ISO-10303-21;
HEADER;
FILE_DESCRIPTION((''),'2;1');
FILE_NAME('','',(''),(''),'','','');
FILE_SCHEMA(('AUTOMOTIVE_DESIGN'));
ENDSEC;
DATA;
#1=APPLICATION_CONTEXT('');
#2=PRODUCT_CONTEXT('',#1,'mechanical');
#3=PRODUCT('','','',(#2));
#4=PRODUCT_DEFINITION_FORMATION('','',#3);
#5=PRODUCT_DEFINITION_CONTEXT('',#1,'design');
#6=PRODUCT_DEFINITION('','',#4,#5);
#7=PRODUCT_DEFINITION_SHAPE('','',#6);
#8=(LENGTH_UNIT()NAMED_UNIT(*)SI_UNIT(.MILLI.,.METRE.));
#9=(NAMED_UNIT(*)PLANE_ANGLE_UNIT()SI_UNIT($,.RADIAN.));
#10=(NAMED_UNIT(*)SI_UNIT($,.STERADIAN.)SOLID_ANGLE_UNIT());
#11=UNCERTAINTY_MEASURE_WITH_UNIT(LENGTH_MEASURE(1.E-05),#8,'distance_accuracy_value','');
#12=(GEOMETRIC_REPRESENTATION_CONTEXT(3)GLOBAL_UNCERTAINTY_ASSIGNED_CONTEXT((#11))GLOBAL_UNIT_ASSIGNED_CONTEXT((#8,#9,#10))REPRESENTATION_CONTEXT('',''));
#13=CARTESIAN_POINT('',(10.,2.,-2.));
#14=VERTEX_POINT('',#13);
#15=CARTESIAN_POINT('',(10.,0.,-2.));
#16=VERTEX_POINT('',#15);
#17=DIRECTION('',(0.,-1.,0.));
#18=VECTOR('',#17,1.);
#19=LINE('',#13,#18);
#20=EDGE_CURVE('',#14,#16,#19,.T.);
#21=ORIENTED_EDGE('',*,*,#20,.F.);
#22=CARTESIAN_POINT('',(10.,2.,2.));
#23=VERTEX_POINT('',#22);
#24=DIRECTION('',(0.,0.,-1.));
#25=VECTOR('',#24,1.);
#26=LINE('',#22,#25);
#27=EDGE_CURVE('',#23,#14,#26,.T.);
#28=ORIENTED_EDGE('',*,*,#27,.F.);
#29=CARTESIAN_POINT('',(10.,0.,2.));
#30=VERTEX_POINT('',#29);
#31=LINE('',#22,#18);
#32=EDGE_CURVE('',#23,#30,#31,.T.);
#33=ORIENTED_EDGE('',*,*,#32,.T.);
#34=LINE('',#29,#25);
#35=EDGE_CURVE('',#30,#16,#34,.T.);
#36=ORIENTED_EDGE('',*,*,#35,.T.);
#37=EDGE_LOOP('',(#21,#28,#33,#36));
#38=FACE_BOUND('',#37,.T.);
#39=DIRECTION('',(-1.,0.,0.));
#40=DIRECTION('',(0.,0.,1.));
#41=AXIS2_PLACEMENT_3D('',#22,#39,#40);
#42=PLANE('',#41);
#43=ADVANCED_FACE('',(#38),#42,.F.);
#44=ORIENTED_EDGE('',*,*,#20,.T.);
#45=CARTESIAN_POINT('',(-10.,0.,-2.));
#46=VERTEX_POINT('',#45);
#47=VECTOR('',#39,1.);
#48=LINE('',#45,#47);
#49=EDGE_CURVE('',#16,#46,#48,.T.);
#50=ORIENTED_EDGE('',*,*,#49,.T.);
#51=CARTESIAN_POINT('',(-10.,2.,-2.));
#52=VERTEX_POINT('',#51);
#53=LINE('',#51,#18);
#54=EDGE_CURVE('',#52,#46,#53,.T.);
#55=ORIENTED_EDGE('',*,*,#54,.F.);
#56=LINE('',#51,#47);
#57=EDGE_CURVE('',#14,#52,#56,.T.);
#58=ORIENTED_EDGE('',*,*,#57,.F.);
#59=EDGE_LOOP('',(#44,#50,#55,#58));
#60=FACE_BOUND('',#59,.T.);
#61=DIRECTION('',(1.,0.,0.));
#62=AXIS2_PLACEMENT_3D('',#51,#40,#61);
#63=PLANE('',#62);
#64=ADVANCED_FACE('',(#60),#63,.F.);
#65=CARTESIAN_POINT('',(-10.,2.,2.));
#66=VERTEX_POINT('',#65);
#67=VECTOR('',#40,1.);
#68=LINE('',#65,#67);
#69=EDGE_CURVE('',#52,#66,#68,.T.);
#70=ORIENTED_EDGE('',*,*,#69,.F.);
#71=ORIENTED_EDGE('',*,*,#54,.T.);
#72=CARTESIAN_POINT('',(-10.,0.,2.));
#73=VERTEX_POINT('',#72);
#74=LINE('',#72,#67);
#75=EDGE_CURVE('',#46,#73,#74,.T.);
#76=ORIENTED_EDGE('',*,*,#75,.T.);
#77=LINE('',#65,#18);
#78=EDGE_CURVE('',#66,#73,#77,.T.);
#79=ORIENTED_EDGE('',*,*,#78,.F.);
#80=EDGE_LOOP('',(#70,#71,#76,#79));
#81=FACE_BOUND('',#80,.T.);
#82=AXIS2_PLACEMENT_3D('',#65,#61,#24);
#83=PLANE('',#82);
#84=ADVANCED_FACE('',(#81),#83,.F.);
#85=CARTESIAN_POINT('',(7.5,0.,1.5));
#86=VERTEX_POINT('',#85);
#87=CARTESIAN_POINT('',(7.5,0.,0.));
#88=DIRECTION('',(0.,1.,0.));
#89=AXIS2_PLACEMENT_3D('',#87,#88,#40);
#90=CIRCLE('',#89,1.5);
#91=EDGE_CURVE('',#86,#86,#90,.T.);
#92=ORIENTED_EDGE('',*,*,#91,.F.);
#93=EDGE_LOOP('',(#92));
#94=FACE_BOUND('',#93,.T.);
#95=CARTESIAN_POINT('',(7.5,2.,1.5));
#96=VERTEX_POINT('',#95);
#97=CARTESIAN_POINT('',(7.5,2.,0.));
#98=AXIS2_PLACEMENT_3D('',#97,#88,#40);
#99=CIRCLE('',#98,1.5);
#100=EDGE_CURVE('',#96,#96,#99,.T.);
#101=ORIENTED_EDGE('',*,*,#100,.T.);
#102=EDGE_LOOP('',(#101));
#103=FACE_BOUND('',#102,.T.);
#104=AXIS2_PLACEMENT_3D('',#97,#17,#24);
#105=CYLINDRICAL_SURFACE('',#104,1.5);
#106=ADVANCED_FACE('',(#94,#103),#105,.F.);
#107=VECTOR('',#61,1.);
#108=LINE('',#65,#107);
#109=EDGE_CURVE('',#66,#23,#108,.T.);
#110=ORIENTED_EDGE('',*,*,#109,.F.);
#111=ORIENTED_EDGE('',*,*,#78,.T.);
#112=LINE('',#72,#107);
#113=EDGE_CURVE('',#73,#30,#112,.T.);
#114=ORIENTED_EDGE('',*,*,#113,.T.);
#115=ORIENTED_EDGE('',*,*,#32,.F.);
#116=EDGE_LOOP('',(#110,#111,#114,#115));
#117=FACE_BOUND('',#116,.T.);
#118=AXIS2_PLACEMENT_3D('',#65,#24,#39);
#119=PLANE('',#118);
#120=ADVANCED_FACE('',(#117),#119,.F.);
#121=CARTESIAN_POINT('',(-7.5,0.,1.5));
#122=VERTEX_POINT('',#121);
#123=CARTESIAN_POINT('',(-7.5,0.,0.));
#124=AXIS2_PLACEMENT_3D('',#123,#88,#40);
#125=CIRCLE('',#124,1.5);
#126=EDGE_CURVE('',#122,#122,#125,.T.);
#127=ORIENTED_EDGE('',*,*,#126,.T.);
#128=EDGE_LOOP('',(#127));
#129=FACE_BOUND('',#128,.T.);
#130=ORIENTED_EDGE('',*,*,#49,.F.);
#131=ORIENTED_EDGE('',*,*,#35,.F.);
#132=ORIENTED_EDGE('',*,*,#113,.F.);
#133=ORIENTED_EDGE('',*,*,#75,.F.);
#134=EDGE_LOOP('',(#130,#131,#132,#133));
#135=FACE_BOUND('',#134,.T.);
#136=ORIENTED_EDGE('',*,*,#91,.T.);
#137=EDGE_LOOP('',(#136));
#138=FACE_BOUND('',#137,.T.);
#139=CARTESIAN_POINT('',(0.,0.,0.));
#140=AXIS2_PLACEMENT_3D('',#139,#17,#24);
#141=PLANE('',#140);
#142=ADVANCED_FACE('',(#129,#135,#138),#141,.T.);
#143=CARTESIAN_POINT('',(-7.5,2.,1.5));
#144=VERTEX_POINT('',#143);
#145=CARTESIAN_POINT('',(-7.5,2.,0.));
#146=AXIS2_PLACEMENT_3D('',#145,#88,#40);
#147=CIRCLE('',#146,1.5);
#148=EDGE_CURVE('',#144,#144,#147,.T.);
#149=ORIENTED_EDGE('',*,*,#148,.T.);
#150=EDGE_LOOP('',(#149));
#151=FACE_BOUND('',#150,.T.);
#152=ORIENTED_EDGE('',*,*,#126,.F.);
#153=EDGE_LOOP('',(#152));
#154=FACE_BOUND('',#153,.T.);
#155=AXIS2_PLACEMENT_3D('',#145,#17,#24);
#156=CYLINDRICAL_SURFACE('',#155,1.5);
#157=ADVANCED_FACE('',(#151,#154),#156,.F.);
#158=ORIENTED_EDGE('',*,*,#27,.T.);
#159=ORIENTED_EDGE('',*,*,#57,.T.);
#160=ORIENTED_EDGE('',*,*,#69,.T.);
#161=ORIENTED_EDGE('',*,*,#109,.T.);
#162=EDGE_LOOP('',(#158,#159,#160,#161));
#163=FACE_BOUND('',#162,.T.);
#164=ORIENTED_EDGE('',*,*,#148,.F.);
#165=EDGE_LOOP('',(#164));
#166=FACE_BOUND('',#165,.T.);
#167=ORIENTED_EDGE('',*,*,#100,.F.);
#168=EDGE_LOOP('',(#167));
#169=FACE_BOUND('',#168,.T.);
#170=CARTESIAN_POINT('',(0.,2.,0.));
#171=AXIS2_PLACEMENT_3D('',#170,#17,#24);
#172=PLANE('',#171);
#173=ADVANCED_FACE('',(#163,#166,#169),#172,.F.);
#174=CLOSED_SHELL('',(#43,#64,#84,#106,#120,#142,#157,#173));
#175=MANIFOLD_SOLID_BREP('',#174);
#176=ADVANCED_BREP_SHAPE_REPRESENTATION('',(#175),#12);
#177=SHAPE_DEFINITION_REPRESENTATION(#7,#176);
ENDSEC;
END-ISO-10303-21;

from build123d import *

# Parameters (mm, degrees)
SKETCH_1_W      = 20
SKETCH_1_H      = 4
SKETCH_1_R      = 1.5
EXTRUDE_1_DEPTH = 2


with BuildPart() as part:
    # 草图1 → 凸台-拉伸1 (new body)
    with BuildSketch(Plane(origin=(0, 0, 0), x_dir=(1, 0, 0), z_dir=(0, 1, 0))):
        Rectangle(SKETCH_1_W, SKETCH_1_H)
        with Locations(Location((-7.5, 0, 0), (0, 0, 270))):
            Circle(SKETCH_1_R, mode=Mode.SUBTRACT)
        with Locations(Location((7.5, 0, 0), (0, 0, 270))):
            Circle(SKETCH_1_R, mode=Mode.SUBTRACT)
    extrude(amount=EXTRUDE_1_DEPTH)


solid = part.part
